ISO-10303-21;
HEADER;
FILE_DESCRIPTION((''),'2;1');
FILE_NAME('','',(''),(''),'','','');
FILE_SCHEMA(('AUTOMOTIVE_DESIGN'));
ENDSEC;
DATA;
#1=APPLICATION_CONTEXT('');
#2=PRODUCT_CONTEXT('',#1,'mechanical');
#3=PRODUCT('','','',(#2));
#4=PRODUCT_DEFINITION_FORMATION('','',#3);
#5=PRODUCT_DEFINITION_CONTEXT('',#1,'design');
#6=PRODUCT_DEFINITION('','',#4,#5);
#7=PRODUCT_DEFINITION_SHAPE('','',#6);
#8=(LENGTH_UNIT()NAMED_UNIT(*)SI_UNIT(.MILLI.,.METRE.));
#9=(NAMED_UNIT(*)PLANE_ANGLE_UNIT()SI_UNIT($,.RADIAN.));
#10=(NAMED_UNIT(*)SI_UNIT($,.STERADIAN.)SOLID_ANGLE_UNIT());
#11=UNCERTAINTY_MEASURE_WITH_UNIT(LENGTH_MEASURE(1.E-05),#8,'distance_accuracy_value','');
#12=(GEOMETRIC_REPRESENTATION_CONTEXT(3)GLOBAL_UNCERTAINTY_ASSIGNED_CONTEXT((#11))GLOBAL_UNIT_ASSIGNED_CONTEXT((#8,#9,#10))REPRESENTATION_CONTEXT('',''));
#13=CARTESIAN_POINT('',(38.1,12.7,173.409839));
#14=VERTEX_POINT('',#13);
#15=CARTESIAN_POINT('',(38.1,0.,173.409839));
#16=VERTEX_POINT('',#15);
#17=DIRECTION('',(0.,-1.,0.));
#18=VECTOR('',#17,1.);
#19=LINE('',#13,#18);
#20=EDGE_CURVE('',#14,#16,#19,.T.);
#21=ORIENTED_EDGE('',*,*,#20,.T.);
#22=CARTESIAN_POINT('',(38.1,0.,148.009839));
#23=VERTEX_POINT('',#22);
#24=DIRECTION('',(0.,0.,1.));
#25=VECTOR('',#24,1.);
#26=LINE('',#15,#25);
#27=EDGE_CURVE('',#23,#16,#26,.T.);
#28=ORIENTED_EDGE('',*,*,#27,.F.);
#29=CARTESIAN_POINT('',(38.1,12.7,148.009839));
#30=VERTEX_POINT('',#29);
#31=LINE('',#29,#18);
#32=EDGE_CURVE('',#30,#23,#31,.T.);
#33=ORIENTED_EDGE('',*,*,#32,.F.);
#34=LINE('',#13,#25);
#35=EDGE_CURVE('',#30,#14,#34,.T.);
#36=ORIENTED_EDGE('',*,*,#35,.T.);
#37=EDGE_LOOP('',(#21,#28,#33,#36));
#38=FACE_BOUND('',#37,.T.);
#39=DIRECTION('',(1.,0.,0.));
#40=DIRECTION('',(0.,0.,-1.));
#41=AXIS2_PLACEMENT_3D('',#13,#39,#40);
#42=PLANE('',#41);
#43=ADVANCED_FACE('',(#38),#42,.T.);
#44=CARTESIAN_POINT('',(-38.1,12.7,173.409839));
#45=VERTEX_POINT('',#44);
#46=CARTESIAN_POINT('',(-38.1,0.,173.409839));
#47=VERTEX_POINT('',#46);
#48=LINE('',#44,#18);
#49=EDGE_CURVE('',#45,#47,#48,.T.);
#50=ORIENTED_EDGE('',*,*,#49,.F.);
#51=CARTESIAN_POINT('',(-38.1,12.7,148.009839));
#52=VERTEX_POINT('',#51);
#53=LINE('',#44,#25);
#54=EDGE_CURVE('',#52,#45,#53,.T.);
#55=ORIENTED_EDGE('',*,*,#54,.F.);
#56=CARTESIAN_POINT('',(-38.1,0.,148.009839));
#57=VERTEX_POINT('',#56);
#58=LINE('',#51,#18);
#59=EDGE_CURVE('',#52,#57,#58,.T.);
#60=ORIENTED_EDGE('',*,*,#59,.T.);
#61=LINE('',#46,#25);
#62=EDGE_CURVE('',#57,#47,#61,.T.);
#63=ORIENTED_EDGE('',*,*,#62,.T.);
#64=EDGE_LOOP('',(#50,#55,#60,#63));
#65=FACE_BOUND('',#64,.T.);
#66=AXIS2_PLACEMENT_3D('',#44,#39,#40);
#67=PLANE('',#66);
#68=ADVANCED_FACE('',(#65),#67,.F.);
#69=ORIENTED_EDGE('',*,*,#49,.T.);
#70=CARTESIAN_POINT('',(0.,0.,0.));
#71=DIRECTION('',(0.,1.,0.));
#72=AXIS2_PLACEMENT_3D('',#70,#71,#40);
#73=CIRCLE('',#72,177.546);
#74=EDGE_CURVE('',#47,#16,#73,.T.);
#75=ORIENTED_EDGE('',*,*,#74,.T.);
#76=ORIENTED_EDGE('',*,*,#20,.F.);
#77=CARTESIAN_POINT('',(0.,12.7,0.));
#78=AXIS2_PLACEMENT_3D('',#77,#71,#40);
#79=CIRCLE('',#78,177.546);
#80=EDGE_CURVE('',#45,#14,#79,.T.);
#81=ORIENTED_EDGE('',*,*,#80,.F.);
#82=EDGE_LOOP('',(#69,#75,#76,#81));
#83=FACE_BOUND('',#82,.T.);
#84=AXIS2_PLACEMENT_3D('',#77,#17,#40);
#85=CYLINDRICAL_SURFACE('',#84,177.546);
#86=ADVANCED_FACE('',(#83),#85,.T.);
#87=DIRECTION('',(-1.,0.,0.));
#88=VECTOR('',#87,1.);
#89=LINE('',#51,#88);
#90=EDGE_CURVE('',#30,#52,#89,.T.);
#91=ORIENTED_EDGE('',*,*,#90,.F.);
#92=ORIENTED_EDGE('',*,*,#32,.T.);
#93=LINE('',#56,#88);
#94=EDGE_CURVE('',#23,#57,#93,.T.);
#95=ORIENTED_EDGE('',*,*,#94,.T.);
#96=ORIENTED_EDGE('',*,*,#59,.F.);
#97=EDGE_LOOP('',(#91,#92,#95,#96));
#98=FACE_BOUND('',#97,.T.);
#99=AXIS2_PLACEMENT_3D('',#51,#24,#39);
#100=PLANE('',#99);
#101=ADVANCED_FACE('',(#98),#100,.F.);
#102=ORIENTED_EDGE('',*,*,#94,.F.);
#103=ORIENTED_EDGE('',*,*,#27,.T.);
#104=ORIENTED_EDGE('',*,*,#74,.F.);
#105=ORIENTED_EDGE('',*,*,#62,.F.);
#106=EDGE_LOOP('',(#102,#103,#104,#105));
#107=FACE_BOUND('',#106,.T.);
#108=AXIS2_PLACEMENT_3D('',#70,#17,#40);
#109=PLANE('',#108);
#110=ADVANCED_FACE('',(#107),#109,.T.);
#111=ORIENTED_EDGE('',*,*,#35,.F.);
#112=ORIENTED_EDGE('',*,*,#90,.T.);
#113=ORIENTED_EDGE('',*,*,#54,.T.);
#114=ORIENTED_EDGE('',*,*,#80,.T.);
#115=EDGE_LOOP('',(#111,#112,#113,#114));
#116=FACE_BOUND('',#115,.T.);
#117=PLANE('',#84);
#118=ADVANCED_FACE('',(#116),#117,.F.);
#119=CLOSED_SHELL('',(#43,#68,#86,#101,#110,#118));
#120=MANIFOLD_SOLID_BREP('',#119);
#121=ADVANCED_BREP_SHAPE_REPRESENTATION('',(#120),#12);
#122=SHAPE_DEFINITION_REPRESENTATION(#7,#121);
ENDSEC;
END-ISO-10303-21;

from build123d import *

# Parameters (mm, degrees)
BOSS_EXTRUDE1_DEPTH = 12.7


with BuildPart() as part:
    # Sketch1 → Boss-Extrude1 (new body)
    with BuildSketch(Plane(origin=(0, 0, 0), x_dir=(1, 0, 0), z_dir=(0, 1, 0))):
        with BuildLine():
            Line((-38.1, -173.409838579), (-38.1, -148.009838579))
            Line((-38.1, -148.009838579), (0, -148.009838579))
            Line((0, -148.009838579), (0, -177.546))
            ThreePointArc((0, -177.546), (-19.161927299, -176.508930817), (-38.1, -173.409838579))
        make_face()
    boss_extrude1 = extrude(amount=BOSS_EXTRUDE1_DEPTH)

    # Mirror1: Boss-Extrude1 across plane
    add(boss_extrude1.mirror(Plane(origin=(0, 12.7, 148.009838579), x_dir=(0, 0, 1), z_dir=(-1, 0, 0))))


solid = part.part
